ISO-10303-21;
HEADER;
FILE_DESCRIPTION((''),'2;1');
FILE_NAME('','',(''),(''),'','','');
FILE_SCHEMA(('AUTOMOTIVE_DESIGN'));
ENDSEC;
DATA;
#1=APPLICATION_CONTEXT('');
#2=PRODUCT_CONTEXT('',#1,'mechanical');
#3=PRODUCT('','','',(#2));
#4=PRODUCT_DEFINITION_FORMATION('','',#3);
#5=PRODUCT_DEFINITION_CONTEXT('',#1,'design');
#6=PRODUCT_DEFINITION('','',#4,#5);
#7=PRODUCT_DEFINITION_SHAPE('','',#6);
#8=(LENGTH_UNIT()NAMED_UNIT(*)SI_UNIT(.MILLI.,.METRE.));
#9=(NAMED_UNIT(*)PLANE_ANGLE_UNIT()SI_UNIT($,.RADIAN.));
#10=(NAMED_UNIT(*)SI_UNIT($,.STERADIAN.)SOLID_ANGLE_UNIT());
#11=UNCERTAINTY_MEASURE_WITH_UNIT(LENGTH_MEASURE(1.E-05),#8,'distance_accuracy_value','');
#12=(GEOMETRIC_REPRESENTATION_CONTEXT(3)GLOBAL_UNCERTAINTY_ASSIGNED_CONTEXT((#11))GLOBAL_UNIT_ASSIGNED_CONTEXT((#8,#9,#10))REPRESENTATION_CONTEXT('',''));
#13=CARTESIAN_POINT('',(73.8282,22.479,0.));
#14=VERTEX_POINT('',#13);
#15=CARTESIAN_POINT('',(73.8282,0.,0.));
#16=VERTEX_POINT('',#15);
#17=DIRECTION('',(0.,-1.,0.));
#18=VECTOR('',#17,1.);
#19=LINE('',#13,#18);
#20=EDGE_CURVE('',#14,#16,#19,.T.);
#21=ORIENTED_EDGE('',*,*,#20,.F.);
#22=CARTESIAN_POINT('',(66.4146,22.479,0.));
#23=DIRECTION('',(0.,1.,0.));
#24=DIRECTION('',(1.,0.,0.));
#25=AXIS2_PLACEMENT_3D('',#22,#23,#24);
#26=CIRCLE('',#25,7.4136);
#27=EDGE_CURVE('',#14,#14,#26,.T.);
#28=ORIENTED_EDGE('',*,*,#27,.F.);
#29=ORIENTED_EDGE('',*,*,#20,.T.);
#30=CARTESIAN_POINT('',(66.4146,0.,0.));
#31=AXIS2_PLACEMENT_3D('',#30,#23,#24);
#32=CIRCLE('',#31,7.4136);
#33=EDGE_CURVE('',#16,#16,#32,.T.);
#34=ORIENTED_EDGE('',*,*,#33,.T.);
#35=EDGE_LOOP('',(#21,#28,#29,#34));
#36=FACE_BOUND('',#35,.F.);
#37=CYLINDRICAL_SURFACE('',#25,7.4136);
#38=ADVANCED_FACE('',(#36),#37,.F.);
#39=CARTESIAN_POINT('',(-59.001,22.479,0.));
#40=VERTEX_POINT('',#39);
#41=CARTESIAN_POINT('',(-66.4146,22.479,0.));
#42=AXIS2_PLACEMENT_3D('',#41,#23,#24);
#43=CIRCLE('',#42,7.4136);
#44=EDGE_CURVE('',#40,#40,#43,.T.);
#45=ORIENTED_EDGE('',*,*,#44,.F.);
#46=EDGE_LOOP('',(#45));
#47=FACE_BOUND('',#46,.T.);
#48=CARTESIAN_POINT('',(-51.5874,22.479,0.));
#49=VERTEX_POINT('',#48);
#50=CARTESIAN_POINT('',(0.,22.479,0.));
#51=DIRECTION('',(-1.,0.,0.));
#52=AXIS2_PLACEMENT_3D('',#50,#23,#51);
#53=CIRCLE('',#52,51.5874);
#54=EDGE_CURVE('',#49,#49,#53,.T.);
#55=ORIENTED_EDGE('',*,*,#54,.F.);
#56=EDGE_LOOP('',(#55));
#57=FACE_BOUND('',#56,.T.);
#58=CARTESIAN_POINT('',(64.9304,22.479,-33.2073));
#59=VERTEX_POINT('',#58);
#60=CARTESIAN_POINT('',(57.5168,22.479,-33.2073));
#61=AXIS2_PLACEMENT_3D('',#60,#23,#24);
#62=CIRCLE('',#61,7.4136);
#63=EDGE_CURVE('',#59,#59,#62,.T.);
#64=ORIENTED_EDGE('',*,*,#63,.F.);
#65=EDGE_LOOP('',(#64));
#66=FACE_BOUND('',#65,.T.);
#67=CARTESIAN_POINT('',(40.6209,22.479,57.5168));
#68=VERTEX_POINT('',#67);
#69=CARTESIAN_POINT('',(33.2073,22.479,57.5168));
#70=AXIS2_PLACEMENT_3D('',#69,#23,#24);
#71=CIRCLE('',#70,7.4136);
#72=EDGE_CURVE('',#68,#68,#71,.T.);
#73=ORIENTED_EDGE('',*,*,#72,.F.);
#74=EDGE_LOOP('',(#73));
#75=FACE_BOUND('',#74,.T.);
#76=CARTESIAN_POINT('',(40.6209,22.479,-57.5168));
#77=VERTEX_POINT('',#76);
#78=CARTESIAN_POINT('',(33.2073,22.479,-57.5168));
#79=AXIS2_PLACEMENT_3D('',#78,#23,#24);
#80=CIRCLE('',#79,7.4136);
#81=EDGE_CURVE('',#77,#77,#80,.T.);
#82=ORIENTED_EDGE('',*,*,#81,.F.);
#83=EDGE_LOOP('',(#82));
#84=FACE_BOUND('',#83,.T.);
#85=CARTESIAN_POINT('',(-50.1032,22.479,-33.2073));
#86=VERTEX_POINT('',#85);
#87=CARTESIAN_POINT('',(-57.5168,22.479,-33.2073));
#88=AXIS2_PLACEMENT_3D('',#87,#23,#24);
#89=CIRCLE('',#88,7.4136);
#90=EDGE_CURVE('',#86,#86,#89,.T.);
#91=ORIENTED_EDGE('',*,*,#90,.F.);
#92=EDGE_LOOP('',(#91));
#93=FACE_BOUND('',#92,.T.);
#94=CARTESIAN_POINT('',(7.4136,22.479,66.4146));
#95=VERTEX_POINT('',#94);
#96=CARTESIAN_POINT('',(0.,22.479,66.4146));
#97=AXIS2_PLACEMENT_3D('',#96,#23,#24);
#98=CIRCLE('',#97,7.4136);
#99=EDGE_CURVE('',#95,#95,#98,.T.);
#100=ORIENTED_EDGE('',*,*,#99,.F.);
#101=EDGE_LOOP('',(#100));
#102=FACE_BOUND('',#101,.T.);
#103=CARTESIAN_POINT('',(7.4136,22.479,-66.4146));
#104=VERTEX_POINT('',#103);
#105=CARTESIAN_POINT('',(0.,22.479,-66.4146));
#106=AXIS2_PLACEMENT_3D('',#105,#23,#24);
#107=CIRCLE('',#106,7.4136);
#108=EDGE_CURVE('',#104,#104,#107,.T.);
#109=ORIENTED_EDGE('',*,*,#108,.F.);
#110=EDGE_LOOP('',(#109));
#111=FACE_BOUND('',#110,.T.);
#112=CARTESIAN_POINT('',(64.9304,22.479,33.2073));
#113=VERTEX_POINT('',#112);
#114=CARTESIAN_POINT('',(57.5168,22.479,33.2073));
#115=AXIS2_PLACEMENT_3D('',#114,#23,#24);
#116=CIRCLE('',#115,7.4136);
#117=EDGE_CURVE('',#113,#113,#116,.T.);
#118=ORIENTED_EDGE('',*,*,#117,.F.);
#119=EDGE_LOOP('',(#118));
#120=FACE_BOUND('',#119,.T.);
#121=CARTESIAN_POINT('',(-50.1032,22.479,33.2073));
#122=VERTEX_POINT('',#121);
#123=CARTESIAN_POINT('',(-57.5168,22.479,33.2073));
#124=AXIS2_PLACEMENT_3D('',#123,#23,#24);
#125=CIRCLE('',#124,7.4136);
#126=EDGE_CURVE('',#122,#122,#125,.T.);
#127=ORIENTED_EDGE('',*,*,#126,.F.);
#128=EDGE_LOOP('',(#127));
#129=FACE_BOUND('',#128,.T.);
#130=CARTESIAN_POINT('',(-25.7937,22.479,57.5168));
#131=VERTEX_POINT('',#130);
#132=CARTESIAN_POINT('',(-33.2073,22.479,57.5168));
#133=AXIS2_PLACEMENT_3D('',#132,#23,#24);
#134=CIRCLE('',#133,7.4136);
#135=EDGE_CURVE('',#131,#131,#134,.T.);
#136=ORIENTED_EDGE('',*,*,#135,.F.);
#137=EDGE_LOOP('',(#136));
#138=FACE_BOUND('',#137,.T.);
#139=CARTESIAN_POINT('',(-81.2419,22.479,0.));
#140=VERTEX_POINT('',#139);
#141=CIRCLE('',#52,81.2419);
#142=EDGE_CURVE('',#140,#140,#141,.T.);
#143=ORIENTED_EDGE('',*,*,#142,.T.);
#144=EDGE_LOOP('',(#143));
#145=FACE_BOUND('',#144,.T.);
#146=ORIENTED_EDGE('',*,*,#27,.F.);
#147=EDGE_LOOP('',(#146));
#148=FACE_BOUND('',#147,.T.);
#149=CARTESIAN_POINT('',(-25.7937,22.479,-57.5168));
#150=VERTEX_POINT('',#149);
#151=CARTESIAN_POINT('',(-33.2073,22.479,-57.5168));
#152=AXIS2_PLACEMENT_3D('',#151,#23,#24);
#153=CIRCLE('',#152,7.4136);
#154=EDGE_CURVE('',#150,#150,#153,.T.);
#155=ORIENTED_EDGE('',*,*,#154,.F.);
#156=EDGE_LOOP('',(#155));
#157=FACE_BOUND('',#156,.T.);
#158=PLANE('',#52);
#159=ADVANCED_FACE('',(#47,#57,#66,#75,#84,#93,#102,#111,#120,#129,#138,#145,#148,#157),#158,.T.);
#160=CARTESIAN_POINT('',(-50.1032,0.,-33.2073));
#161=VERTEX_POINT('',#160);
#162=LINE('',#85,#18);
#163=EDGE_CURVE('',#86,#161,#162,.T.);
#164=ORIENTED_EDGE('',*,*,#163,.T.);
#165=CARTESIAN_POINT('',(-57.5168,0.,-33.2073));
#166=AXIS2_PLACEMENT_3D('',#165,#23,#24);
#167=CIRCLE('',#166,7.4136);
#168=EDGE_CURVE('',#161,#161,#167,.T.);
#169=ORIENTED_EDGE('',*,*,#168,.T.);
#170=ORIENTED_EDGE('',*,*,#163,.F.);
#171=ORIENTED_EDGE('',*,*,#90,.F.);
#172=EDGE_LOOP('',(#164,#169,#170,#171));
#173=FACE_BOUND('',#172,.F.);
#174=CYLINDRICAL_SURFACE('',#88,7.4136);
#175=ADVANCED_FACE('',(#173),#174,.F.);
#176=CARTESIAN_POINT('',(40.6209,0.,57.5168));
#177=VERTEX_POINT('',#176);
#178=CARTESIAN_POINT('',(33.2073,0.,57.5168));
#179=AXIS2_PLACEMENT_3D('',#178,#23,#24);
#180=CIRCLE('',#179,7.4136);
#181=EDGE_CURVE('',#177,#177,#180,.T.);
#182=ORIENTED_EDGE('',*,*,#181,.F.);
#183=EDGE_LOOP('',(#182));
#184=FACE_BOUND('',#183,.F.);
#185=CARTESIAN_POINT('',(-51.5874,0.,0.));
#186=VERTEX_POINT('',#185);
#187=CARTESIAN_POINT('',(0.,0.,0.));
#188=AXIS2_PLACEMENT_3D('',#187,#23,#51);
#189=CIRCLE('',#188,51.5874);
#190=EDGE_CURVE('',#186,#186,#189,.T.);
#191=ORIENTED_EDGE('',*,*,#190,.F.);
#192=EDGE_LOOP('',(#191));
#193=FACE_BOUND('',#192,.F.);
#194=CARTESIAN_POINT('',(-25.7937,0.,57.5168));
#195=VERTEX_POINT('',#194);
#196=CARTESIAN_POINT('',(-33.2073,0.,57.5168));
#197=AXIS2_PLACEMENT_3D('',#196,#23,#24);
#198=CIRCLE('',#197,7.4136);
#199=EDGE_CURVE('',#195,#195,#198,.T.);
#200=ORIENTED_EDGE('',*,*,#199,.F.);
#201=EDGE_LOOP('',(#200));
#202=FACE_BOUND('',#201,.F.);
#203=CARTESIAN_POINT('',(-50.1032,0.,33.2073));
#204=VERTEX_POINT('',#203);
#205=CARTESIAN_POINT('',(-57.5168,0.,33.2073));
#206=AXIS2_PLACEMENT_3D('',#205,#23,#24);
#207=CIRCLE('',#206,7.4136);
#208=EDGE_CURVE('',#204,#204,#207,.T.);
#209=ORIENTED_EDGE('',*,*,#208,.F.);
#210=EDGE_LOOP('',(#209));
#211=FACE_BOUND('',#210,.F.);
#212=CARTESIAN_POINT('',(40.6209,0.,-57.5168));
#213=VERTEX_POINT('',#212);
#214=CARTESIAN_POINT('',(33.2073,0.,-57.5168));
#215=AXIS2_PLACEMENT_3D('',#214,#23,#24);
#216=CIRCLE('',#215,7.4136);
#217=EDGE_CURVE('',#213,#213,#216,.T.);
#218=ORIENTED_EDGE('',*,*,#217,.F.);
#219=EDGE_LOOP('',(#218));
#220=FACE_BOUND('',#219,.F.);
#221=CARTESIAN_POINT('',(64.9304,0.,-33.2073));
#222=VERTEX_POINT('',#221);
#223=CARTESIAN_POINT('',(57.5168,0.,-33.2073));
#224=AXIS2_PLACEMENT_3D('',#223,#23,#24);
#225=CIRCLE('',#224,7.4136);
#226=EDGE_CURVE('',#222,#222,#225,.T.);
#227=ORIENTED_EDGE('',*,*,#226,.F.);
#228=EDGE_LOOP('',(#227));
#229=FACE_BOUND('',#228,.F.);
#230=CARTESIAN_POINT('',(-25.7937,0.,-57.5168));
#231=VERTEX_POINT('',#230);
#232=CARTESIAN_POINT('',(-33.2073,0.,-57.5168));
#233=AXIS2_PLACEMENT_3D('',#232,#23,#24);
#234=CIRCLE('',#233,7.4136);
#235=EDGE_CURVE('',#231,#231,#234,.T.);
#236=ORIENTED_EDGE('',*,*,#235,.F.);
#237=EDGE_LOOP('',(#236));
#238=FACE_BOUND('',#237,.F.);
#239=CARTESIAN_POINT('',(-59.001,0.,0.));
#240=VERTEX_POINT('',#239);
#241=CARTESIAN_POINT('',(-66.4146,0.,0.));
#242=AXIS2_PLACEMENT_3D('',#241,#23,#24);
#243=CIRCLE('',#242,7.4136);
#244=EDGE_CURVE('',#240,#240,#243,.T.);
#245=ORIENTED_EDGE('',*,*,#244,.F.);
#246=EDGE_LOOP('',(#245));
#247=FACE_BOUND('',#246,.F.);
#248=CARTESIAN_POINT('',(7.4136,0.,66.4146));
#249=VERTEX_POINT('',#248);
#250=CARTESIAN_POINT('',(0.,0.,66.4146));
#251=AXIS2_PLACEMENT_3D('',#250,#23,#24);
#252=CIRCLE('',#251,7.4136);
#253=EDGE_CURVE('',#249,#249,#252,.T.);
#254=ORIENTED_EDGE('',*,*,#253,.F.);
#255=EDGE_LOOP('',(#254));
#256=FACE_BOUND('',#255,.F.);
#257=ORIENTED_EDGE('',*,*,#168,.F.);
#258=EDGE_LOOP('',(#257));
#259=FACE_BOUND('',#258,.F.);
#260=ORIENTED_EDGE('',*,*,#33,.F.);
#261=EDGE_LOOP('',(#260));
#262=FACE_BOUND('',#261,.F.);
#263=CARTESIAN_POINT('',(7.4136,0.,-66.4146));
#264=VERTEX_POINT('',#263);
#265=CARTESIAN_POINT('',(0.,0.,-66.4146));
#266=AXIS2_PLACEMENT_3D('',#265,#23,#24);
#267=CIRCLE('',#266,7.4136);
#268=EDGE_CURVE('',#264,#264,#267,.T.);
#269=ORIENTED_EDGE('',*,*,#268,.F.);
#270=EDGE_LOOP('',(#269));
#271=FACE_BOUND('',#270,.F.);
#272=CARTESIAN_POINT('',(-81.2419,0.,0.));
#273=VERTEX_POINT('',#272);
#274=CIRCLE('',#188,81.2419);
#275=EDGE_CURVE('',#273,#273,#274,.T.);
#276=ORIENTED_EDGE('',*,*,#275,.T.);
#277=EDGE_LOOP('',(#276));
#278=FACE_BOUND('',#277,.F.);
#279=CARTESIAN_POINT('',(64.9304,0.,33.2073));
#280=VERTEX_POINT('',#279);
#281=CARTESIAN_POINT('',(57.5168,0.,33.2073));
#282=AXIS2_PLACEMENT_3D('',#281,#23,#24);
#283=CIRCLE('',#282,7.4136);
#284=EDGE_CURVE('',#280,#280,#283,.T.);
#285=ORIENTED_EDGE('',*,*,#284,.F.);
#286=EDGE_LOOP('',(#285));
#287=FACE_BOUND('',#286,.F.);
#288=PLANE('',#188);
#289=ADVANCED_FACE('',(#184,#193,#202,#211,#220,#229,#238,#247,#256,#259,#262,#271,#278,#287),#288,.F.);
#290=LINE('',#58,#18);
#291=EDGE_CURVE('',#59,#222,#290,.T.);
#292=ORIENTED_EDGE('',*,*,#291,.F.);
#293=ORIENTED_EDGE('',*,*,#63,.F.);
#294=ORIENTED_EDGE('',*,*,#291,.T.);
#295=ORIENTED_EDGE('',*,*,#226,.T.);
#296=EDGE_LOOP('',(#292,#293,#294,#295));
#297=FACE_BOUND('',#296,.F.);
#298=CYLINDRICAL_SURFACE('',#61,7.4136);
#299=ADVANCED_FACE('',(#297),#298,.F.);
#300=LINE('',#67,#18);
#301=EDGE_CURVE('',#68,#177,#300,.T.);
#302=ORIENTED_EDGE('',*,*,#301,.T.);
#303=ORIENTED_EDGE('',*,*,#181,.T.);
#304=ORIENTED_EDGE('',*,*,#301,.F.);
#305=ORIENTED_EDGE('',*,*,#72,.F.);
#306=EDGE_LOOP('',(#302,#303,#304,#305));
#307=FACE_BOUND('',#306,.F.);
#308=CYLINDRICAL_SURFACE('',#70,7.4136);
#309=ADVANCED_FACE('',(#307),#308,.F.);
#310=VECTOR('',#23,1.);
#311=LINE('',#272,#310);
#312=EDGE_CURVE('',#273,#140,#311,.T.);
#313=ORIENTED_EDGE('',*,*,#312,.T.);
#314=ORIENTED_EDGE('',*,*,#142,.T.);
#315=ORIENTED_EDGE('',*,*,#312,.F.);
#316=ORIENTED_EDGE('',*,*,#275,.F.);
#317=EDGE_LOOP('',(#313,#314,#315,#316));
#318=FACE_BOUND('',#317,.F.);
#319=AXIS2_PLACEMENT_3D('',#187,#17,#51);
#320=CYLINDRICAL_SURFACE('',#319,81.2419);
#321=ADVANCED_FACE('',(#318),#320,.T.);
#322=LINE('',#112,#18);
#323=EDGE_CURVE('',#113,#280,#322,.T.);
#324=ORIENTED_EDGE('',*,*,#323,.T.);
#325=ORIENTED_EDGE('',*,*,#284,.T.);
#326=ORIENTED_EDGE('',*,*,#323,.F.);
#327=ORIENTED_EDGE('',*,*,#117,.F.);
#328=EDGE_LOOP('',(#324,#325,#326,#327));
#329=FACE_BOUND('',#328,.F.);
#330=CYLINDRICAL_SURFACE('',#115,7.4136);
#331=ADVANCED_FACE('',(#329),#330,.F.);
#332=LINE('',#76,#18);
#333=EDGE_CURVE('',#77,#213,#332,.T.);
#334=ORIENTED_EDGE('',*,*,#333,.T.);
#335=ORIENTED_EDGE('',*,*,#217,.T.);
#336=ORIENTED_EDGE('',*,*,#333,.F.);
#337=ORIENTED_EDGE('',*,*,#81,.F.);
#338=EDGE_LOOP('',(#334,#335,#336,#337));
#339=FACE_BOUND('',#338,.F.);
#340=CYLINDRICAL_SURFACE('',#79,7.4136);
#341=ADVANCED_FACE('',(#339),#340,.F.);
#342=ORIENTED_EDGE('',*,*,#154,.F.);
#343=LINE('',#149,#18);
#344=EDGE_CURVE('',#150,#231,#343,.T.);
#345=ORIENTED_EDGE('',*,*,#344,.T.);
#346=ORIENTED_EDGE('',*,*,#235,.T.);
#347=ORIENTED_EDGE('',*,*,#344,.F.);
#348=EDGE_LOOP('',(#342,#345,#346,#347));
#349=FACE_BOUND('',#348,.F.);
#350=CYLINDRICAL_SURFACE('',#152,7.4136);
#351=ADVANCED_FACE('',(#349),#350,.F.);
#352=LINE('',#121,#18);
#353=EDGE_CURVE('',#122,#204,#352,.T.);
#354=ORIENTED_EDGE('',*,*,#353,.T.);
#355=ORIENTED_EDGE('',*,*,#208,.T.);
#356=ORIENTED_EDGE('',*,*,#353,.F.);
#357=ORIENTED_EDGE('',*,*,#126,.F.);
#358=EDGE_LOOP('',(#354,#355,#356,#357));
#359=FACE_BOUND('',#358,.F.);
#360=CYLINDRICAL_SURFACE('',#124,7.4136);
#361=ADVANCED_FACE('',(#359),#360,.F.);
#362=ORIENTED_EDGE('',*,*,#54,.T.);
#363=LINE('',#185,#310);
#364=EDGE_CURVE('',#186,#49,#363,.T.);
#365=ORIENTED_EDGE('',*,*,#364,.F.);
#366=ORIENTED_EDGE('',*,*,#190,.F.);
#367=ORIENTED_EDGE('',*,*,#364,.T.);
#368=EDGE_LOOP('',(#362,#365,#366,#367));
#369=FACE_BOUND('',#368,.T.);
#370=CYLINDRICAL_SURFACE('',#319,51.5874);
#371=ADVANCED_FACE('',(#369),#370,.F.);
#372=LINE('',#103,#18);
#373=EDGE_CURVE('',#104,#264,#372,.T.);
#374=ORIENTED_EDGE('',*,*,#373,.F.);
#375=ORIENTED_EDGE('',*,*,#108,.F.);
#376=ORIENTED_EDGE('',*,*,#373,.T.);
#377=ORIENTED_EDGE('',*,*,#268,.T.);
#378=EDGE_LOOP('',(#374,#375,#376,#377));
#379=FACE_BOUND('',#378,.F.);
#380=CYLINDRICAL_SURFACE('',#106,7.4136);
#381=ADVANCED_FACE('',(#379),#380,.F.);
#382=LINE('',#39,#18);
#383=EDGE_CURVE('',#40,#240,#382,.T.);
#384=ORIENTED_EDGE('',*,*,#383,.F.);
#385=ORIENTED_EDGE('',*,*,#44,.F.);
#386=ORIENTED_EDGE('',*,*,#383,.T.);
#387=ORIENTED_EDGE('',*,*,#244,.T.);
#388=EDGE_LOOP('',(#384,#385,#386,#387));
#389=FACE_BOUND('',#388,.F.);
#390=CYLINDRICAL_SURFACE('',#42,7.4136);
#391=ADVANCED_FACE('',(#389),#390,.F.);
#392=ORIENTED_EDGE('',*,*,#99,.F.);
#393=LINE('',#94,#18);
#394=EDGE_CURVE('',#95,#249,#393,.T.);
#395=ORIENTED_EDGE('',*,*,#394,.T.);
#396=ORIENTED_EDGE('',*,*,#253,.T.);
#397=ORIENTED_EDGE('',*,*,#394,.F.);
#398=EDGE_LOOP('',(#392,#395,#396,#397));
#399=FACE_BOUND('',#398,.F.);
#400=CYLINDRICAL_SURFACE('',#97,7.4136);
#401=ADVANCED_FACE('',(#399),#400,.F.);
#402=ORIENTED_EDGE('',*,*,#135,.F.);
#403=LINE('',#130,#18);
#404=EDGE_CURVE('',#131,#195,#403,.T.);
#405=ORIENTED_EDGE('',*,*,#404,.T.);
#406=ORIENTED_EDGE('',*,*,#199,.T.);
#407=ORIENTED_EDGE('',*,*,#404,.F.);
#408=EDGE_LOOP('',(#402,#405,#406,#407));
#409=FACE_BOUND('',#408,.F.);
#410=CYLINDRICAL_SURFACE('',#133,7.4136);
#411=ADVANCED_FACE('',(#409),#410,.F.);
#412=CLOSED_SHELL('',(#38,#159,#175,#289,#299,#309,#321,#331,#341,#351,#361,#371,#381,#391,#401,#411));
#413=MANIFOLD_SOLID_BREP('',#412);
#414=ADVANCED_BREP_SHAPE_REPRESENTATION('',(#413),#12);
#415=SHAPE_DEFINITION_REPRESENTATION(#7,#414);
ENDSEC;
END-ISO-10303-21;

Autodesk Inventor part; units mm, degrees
ref_plane "YZ Plane" through (0, 0, 0) normal (1, 0, 0) x (0, 1, 0)
ref_plane "XZ Plane" through (0, 0, 0) normal (0, 1, 0) x (-1, 0, 0)
ref_plane "XY Plane" through (0, 0, 0) normal (0, 0, 1) x (1, 0, 0)
sketch "Sketch1" plane through (0, 0, 0) normal (0, 1, 0) x (-1, 0, 0)
  circle A0 centre (0, 0) radius 51.5874
  circle A1 centre (0, 0) radius 81.2419
  dimension "d0" = 103.1748
  dimension "d1" = 162.4838
extrude "Extrusion1" add sketch "Sketch1" along normal blind 22.479
sketch "Sketch2" plane through (0, 22.479, 0) normal (0, 1, 0) x (1, 0, 0)
  circle A0 centre (66.4146, 0) radius 7.4136
  circle A1 centre (57.5168, 33.2073) radius 7.4136
  circle A2 centre (33.2073, 57.5168) radius 7.4136
  circle A3 centre (0, 66.4146) radius 7.4136
  circle A4 centre (-33.2073, 57.5168) radius 7.4136
  circle A5 centre (-57.5168, 33.2073) radius 7.4136
  circle A6 centre (-66.4146, 0) radius 7.4136
  circle A7 centre (-57.5168, -33.2073) radius 7.4136
  circle A8 centre (-33.2073, -57.5168) radius 7.4136
  circle A9 centre (0, -66.4146) radius 7.4136
  circle A10 centre (33.2073, -57.5168) radius 7.4136
  circle A11 centre (57.5168, -33.2073) radius 7.4136
  point P0 (0, 0)
  dimension "d4" = 14.8272
  dimension "d6" = 66.4146
  dimension "d9" = 360
extrude "Extrusion2" cut sketch "Sketch2" against normal through all
equation "\"d0\" = insideDiam"
equation "\"d1\" = outsideDiam"
equation "\"d2\" = thickness"
equation "\"d4\" = stregthenHoleDiam"
equation "\"d6\" = shellRadius"
equation "\"d11\" = thickness"
equation "\"thickness\" = 22.479"
equation "\"printerError\" = 0.508"
equation "\"shellWidth\" = -0.5 * insideDiam + 0.5 * outsideDiam"
equation "\"stregthenHoleDiam\" = 0.5 * shellWidth"
equation "\"shellRadius\" = 0.5 * outsideDiam - 0.5 * shellWidth"
equation "\"numberOfHoles\" = 30.48"
equation "\"insideDiam\" = 103.1748"
equation "\"outsideDiam\" = 162.4838"
properties part number "vexSupportRing"
